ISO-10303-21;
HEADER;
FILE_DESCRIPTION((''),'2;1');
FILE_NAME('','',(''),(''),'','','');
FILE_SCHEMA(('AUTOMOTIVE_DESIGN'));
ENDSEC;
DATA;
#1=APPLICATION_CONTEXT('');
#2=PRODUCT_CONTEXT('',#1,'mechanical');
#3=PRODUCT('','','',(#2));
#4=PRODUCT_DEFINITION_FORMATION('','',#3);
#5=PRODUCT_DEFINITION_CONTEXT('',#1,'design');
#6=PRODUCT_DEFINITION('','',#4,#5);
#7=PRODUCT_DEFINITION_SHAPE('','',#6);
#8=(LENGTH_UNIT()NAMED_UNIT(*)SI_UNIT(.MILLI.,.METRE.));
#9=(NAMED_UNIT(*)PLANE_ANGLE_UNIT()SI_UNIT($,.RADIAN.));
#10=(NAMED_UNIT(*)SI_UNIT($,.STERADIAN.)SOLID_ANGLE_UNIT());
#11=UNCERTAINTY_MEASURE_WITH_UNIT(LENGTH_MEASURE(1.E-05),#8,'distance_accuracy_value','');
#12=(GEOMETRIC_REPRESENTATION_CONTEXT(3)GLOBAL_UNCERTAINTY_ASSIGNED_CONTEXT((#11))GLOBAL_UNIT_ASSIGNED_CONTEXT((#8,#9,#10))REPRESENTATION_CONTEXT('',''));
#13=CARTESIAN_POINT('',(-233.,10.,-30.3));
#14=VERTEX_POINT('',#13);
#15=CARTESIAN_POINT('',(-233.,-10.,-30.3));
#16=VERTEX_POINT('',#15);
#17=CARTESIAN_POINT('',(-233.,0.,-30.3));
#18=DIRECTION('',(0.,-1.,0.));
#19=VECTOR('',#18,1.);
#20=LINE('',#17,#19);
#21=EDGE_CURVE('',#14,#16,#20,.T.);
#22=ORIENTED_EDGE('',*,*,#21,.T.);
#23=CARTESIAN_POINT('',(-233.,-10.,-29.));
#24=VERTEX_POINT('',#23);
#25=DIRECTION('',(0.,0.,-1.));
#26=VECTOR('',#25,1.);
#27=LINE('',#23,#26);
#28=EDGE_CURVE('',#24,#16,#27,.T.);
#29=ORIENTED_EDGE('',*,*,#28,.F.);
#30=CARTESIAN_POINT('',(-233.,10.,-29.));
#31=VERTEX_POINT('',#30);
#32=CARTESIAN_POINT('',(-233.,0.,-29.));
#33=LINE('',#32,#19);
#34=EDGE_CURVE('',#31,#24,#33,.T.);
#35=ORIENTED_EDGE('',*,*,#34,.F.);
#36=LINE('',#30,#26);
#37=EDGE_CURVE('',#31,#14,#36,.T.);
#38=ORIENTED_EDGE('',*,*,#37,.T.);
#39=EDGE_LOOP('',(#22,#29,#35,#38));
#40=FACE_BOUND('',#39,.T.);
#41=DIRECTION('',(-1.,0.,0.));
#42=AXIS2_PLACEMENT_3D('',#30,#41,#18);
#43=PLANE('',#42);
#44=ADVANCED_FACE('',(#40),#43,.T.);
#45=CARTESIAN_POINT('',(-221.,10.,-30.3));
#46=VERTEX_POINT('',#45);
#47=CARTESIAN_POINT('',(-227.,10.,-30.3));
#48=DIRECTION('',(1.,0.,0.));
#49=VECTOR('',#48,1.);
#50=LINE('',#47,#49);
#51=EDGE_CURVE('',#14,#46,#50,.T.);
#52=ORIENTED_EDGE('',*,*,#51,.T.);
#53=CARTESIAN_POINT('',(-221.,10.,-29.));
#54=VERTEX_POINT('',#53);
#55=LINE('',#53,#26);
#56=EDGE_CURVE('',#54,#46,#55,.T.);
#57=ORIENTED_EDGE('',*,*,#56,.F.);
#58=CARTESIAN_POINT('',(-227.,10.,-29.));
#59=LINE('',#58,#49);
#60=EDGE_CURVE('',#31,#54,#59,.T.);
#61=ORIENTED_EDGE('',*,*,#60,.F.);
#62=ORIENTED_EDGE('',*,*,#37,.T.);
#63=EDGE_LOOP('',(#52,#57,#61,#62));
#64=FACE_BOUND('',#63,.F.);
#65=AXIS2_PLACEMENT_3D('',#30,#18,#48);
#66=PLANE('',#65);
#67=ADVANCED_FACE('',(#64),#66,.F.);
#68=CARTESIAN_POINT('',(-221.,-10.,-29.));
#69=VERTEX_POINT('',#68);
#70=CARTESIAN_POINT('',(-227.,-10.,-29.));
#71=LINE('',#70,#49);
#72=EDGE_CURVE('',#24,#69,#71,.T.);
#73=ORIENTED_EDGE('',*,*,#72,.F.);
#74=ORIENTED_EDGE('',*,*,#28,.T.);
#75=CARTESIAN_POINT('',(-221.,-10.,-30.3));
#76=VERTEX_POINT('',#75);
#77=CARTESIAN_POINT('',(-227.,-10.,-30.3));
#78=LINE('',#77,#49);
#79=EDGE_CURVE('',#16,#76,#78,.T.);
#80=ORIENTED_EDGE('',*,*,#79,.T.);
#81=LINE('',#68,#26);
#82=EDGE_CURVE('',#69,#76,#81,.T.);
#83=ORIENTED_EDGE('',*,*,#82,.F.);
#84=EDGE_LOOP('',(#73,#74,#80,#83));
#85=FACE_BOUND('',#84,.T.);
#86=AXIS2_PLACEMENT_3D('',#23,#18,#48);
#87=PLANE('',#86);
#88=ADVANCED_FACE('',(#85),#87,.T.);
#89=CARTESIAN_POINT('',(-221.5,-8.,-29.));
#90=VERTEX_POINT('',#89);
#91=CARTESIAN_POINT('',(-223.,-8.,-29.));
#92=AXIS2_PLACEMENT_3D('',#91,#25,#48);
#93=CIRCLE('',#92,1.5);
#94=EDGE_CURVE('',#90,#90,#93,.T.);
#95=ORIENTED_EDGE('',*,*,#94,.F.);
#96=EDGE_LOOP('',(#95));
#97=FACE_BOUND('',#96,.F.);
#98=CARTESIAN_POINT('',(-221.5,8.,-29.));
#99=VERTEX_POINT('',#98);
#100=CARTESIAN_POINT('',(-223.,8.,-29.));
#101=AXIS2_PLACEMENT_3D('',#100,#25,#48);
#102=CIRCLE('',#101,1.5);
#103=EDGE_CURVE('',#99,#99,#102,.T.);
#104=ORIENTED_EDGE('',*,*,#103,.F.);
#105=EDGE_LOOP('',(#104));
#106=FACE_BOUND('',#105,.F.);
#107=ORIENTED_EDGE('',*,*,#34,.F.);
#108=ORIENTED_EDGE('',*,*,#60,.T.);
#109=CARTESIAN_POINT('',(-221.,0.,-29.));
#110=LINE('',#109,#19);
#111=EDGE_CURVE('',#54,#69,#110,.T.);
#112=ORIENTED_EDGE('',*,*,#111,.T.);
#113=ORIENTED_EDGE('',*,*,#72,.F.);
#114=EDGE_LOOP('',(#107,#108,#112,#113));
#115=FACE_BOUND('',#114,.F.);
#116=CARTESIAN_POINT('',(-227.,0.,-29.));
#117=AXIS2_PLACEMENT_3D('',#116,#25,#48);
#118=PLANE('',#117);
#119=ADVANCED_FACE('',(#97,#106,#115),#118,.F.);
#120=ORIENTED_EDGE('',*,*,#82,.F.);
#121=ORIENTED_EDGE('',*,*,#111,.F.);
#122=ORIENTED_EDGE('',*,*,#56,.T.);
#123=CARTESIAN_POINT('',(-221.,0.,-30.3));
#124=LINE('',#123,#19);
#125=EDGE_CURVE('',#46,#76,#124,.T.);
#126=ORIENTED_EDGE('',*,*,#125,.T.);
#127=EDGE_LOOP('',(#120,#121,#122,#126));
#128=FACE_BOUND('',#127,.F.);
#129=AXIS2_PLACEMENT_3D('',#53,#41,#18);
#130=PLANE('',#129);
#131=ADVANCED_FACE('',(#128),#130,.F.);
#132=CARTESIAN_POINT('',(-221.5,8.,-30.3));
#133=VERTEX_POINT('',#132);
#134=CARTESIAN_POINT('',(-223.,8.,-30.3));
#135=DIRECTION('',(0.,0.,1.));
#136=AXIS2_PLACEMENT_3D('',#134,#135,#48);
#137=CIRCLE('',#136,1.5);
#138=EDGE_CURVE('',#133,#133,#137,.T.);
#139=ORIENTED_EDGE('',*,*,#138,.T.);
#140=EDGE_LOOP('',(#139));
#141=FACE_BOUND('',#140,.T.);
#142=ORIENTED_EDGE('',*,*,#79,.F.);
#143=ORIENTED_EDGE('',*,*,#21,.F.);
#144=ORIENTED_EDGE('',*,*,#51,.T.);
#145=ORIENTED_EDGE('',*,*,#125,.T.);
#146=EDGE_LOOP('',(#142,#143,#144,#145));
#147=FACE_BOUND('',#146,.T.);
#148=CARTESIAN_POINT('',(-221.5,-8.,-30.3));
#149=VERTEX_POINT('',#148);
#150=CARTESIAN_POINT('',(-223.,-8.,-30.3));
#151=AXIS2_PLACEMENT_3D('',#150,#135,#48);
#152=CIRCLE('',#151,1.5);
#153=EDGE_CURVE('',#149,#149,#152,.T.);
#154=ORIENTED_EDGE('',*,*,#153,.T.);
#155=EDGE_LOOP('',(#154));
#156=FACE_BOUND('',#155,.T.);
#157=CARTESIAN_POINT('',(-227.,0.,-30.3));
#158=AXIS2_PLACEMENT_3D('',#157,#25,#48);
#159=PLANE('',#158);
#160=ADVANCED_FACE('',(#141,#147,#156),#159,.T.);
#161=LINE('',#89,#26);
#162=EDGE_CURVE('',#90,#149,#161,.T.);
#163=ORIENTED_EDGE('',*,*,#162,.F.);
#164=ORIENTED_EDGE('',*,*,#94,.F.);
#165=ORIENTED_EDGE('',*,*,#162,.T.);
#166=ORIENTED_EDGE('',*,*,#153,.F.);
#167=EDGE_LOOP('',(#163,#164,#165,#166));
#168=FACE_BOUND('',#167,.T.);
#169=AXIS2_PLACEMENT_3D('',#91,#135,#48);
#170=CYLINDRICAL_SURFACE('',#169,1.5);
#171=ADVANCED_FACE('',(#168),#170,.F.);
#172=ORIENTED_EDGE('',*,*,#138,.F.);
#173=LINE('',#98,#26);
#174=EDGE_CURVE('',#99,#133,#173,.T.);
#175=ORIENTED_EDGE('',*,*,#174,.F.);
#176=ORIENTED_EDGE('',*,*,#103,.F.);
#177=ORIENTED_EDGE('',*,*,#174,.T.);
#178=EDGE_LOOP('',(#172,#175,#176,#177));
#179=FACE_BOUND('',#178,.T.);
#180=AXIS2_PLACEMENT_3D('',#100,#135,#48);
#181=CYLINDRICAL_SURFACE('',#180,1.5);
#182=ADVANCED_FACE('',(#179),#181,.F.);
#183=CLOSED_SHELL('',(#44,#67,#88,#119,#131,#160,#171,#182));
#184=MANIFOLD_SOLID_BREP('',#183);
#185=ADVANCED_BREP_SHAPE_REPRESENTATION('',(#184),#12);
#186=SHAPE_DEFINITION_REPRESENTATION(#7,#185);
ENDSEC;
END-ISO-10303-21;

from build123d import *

# Parameters (mm, degrees)
SKETCH253_W     = 12
SKETCH253_H     = 20
PAD126_DEPTH    = 1.3
SKETCH254_R     = 1.5
POCKET110_DEPTH = 3


with BuildPart() as part:
    # Sketch253 → Pad126 (new body)
    with BuildSketch(Plane(origin=(0, 0, -20), x_dir=(1, 0, 0), z_dir=(0, 0, -1))):
        with Locations((-11, 0)):
            Rectangle(SKETCH253_W, SKETCH253_H)
    extrude(amount=PAD126_DEPTH)

    # Sketch254 → Pocket110 (cut)
    with BuildSketch(Plane(origin=(0, 0, -20), x_dir=(1, 0, 0), z_dir=(0, 0, -1))):
        with Locations((-7, 8)):
            Circle(SKETCH254_R)
        with Locations((-7, -8)):
            Circle(SKETCH254_R)
    extrude(amount=POCKET110_DEPTH, mode=Mode.SUBTRACT)


with BuildPart() as part_1:
    # Body028 placement: moved
    add(part.part.moved(Location((-216, 0, -9))))


solid = part_1.part
